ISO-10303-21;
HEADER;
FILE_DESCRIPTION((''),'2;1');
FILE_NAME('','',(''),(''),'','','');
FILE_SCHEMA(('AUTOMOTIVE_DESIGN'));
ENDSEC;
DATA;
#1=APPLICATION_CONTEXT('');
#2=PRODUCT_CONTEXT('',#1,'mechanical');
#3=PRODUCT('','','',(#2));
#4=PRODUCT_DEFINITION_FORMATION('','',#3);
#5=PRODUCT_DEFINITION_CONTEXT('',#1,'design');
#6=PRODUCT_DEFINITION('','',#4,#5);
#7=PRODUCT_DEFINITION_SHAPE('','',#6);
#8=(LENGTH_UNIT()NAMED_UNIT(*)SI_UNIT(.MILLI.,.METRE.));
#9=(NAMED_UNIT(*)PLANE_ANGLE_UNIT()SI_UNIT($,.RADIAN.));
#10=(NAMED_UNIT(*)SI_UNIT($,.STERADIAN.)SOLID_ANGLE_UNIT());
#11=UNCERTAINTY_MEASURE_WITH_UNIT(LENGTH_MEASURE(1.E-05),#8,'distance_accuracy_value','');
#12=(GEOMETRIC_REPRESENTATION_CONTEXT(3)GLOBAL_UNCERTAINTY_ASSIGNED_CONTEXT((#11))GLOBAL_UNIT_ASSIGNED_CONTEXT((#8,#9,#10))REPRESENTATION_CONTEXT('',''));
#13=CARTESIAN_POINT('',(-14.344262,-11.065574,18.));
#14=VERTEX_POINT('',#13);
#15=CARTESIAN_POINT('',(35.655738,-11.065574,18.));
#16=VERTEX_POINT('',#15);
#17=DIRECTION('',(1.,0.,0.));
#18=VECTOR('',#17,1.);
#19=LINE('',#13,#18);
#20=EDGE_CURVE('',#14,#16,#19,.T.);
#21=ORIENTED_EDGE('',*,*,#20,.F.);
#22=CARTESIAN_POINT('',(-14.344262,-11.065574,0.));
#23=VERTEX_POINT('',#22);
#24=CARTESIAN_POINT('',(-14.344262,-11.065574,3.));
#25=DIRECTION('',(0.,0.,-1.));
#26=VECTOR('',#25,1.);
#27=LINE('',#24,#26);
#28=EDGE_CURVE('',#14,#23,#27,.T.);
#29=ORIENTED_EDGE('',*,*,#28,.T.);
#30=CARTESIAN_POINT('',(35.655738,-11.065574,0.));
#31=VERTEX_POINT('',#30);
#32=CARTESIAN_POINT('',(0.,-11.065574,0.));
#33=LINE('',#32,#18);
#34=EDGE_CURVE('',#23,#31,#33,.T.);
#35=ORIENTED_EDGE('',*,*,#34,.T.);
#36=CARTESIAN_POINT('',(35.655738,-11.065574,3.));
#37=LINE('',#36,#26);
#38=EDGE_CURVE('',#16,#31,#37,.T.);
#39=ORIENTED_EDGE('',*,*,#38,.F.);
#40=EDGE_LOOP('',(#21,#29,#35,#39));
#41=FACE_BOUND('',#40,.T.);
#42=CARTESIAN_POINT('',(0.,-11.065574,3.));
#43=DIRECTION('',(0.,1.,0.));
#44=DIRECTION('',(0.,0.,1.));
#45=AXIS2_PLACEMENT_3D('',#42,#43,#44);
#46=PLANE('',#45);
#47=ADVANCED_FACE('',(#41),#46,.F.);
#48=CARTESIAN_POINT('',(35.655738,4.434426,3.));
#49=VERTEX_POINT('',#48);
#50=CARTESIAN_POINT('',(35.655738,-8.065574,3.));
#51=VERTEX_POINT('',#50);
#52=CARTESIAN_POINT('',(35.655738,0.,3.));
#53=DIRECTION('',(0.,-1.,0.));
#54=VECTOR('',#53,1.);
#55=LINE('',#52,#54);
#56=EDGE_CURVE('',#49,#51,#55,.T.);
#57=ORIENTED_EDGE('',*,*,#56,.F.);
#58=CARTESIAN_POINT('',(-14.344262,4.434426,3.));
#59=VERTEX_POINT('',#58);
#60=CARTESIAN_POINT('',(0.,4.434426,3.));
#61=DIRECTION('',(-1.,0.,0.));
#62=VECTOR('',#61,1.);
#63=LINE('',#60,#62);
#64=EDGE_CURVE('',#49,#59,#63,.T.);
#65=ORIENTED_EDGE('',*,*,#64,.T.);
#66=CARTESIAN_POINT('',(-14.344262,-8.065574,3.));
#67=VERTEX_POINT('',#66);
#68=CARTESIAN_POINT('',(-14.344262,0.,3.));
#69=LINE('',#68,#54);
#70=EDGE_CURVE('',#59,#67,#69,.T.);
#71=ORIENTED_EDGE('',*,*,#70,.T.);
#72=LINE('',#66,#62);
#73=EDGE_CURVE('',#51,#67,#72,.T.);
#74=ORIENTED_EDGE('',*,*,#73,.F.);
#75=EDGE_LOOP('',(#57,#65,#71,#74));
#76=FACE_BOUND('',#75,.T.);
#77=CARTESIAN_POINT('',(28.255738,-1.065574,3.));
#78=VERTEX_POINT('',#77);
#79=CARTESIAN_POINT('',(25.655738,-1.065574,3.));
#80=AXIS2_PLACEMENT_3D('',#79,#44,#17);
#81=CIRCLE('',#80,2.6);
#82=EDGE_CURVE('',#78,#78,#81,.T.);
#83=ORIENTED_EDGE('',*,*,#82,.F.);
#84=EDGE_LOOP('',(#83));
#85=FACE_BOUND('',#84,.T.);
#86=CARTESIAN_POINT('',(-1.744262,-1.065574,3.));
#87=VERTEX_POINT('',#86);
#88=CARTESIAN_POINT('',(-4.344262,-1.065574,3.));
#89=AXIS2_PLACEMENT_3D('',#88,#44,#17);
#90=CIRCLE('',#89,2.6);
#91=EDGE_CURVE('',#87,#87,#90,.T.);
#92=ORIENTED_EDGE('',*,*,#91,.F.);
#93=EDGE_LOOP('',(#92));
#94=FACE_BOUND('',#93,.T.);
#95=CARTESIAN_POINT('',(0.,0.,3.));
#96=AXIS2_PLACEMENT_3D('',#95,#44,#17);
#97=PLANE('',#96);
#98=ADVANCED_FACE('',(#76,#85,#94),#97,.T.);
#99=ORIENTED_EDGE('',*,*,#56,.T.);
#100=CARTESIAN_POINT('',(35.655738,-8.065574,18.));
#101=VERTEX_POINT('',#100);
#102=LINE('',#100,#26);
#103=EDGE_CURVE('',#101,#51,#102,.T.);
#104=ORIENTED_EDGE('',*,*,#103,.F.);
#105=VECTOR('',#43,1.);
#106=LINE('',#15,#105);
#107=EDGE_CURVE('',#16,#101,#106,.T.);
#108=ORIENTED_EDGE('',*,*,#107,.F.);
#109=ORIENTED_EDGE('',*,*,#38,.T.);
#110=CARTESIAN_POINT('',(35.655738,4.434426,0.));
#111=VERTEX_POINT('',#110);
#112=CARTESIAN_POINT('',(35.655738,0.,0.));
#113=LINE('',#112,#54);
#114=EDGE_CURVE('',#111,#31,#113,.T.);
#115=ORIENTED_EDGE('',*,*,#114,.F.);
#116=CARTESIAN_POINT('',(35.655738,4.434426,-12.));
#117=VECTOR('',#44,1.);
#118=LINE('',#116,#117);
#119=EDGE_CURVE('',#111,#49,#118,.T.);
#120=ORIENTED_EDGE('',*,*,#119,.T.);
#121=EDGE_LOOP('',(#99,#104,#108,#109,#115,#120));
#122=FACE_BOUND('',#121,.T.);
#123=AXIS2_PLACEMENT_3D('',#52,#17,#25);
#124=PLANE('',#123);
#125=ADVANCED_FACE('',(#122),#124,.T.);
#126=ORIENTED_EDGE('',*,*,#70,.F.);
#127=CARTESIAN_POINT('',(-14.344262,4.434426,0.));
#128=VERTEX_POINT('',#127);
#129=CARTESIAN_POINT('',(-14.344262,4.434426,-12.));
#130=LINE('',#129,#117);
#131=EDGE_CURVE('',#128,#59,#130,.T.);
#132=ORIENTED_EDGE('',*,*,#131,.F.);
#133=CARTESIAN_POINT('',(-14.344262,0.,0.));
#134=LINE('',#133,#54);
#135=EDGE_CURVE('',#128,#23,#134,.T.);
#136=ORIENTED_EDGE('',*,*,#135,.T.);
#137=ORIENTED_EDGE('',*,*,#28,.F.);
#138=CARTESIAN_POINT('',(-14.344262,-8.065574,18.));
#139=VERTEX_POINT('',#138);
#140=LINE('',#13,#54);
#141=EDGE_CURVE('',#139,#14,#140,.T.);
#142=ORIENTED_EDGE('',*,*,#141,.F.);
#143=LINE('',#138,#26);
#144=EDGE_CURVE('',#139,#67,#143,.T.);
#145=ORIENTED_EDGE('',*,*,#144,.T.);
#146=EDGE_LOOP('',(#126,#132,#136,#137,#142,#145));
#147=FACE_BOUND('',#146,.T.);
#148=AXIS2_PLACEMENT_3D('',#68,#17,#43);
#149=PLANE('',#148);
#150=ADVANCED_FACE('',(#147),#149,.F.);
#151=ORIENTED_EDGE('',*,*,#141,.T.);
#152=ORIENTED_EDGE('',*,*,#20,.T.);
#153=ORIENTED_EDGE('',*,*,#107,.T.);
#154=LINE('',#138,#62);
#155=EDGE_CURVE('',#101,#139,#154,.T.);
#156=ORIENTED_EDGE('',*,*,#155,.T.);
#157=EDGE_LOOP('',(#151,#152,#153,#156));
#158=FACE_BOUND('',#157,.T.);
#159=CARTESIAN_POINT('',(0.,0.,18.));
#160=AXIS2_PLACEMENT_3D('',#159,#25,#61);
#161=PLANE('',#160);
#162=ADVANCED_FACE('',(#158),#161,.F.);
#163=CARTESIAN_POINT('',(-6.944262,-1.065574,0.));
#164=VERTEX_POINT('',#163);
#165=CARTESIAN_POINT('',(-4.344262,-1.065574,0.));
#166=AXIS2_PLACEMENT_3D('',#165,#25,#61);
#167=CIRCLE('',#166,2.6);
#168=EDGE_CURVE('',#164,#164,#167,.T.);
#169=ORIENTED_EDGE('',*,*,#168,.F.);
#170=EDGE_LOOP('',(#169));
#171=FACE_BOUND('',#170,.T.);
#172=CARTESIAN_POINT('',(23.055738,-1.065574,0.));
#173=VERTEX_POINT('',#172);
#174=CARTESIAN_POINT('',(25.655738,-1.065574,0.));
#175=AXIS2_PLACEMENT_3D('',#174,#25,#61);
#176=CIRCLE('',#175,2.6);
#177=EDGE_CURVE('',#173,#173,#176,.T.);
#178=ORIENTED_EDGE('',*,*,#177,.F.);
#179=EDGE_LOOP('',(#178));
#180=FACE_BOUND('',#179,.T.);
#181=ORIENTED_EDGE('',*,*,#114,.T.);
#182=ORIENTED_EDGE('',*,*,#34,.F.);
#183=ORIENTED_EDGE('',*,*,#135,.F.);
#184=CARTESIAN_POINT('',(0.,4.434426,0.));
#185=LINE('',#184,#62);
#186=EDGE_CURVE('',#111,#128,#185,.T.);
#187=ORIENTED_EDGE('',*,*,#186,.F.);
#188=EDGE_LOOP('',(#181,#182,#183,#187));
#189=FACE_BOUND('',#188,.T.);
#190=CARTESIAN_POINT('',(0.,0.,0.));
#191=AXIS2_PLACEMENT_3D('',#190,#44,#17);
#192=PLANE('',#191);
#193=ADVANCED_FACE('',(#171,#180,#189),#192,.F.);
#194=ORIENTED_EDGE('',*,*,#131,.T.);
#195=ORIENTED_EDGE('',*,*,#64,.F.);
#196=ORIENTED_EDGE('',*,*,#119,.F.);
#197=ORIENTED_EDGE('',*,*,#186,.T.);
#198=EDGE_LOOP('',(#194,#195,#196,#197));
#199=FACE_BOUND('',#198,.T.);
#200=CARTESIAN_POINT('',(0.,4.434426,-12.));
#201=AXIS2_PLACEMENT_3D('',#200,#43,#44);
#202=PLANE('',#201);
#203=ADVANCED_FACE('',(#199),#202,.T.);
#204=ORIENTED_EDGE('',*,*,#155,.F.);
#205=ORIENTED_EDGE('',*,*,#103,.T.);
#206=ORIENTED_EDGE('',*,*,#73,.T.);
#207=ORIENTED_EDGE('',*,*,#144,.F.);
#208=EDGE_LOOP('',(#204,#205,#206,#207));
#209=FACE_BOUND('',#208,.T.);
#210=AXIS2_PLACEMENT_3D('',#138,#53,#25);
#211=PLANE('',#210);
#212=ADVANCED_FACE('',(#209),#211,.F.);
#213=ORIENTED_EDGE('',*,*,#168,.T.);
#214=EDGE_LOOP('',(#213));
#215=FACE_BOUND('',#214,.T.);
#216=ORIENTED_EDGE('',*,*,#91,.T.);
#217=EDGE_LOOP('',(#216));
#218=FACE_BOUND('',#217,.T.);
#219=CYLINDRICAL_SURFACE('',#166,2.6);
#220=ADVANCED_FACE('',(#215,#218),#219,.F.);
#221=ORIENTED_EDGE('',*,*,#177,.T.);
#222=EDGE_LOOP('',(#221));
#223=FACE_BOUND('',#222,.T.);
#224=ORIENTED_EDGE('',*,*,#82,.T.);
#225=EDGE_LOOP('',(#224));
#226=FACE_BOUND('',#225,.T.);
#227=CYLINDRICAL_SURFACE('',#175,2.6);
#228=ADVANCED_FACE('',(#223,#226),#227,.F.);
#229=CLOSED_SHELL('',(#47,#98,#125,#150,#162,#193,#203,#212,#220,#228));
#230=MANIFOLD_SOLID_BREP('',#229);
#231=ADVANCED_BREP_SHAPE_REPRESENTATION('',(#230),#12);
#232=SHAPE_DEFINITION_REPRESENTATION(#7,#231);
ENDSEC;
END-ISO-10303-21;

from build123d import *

# Parameters (mm, degrees)
IZIM1_W                              = 50
IZIM1_H                              = 18
IZIM1_R                              = 2.001074691
IZIM1_R_2                            = 2.688724503
Y_KSEKLIK_EKSTR_ZYON1_DEPTH          = 3
M5_HELISARMAL_I_IN_Z_VANA_MATKAB_1_D = 5.2
IZIM4_W                              = 50
IZIM4_H                              = 3
Y_KSEKLIK_EKSTR_ZYON2_DEPTH          = 15
IZIM5_W                              = 50
IZIM5_H                              = 2.5
KES_EKSTR_ZYON1_DEPTH                = 15


with BuildPart() as part:
    # Çizim1 → Yükseklik-Ekstrüzyon1 (new body)
    # profile 1 of 3: a face of its own
    with BuildSketch(Plane.XY):
        with Locations((10.655737705, -2.06557377)):
            Rectangle(IZIM1_W, IZIM1_H)
        with Locations((25.655737705, -1.06557377)):
            Circle(IZIM1_R, mode=Mode.SUBTRACT)
        with Locations((-4.344262295, -1.06557377)):
            Circle(IZIM1_R_2, mode=Mode.SUBTRACT)
    # profile 2 of 3: a face of its own
    with BuildSketch(Plane.XY):
        with Locations((25.655737705, -1.06557377)):
            Circle(IZIM1_R)
    # profile 3 of 3: a face of its own
    with BuildSketch(Plane.XY):
        with Locations((-4.344262295, -1.06557377)):
            Circle(IZIM1_R_2)
    extrude(amount=Y_KSEKLIK_EKSTR_ZYON1_DEPTH)

    # M5 Helisarmal için Zıvana matkabı1 (through all)
    with Locations(Plane(origin=(0, 0, 0), x_dir=(-1, 0, 0), z_dir=(0, 0, -1))):
        with Locations((-25.655737705, -1.06557377), (4.344262295, -1.06557377)):
            Hole(M5_HELISARMAL_I_IN_Z_VANA_MATKAB_1_D / 2)

    # Çizim4 → Yükseklik-Ekstrüzyon2 (add)
    with BuildSketch(Plane.XY.offset(3)):
        with Locations((10.655737705, -9.56557377)):
            Rectangle(IZIM4_W, IZIM4_H)
    extrude(amount=Y_KSEKLIK_EKSTR_ZYON2_DEPTH)

    # Çizim5 → Kes-Ekstrüzyon1 (cut)
    with BuildSketch(Plane.XY.offset(3)):
        with Locations((10.655737705, 5.68442623)):
            Rectangle(IZIM5_W, IZIM5_H)
    extrude(amount=-KES_EKSTR_ZYON1_DEPTH, mode=Mode.SUBTRACT)


solid = part.part
